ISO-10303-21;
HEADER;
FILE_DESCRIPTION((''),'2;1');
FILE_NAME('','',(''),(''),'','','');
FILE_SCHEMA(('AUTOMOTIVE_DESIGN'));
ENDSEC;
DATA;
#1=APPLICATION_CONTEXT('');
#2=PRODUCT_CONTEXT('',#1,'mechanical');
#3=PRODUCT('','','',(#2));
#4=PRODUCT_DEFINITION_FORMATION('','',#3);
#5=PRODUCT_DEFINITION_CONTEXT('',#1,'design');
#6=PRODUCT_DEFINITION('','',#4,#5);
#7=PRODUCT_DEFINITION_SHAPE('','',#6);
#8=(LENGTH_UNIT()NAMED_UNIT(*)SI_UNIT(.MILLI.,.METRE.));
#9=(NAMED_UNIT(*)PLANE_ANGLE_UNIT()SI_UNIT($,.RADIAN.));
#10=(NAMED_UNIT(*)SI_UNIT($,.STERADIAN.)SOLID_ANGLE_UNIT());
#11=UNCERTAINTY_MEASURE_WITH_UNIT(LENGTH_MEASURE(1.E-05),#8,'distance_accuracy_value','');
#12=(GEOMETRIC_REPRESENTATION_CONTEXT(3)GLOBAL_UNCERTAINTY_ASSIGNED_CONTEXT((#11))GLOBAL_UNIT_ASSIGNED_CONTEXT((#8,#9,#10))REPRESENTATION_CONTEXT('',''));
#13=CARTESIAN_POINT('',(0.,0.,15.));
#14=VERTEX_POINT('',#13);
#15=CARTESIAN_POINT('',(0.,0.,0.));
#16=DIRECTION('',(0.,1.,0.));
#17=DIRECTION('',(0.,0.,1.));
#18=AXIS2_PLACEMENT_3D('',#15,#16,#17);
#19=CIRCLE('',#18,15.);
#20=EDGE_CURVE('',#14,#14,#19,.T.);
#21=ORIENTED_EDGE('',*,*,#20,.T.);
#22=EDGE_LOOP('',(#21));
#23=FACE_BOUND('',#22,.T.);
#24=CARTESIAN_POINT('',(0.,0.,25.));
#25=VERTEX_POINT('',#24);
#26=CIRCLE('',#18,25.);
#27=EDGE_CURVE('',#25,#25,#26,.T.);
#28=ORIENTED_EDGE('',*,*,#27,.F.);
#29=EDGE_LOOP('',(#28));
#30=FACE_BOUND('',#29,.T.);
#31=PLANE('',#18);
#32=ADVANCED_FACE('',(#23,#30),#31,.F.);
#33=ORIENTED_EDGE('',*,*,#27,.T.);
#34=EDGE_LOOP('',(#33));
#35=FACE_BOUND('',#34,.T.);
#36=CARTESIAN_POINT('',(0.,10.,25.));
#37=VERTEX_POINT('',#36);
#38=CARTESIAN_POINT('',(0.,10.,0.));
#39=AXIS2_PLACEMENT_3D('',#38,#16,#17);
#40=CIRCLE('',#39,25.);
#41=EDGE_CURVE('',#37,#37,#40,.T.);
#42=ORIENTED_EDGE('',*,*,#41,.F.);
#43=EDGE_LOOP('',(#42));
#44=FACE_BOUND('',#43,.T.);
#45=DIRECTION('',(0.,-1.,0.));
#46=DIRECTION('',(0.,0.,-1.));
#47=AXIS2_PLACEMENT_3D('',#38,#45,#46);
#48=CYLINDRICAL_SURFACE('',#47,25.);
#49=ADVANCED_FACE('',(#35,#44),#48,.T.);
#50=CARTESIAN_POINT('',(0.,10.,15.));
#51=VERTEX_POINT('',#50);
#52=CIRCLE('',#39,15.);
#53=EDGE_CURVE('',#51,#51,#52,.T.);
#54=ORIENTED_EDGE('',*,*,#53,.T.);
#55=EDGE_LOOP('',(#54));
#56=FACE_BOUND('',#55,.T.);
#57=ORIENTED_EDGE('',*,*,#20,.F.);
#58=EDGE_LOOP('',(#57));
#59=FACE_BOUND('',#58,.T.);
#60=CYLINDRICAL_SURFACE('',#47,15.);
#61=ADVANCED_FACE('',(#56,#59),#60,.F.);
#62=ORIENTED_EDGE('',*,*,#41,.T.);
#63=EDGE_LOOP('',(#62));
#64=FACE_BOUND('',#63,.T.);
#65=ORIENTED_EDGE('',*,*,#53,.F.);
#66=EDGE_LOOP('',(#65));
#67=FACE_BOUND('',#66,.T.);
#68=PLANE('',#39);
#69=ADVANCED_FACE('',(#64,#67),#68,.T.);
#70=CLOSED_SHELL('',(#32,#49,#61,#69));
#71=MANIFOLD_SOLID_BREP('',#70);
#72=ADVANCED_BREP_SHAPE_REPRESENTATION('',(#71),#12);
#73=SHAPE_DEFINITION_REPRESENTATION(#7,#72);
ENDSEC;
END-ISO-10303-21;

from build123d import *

# Parameters (mm, degrees)
SKETCH_1_R          = 25
EXTRUDE_1_DEPTH     = 10
SKETCH_2_R          = 15
CUT_EXTRUDE_1_DEPTH = 37.742346142


with BuildPart() as part:
    # 草图1 → 凸台-拉伸1 (new body)
    with BuildSketch(Plane(origin=(0, 0, 0), x_dir=(1, 0, 0), z_dir=(0, 1, 0))):
        with Locations(Location((0, 0, 0), (0, 0, 270))):
            Circle(SKETCH_1_R)
    extrude(amount=EXTRUDE_1_DEPTH)

    # 草图2 → 切除-拉伸1 (cut, through all)
    with BuildSketch(Plane(origin=(0, 0, 0), x_dir=(1, 0, 0), z_dir=(0, 1, 0))):
        with Locations(Location((0, 0, 0), (0, 0, 270))):
            Circle(SKETCH_2_R)
    extrude(amount=CUT_EXTRUDE_1_DEPTH, mode=Mode.SUBTRACT)


solid = part.part
